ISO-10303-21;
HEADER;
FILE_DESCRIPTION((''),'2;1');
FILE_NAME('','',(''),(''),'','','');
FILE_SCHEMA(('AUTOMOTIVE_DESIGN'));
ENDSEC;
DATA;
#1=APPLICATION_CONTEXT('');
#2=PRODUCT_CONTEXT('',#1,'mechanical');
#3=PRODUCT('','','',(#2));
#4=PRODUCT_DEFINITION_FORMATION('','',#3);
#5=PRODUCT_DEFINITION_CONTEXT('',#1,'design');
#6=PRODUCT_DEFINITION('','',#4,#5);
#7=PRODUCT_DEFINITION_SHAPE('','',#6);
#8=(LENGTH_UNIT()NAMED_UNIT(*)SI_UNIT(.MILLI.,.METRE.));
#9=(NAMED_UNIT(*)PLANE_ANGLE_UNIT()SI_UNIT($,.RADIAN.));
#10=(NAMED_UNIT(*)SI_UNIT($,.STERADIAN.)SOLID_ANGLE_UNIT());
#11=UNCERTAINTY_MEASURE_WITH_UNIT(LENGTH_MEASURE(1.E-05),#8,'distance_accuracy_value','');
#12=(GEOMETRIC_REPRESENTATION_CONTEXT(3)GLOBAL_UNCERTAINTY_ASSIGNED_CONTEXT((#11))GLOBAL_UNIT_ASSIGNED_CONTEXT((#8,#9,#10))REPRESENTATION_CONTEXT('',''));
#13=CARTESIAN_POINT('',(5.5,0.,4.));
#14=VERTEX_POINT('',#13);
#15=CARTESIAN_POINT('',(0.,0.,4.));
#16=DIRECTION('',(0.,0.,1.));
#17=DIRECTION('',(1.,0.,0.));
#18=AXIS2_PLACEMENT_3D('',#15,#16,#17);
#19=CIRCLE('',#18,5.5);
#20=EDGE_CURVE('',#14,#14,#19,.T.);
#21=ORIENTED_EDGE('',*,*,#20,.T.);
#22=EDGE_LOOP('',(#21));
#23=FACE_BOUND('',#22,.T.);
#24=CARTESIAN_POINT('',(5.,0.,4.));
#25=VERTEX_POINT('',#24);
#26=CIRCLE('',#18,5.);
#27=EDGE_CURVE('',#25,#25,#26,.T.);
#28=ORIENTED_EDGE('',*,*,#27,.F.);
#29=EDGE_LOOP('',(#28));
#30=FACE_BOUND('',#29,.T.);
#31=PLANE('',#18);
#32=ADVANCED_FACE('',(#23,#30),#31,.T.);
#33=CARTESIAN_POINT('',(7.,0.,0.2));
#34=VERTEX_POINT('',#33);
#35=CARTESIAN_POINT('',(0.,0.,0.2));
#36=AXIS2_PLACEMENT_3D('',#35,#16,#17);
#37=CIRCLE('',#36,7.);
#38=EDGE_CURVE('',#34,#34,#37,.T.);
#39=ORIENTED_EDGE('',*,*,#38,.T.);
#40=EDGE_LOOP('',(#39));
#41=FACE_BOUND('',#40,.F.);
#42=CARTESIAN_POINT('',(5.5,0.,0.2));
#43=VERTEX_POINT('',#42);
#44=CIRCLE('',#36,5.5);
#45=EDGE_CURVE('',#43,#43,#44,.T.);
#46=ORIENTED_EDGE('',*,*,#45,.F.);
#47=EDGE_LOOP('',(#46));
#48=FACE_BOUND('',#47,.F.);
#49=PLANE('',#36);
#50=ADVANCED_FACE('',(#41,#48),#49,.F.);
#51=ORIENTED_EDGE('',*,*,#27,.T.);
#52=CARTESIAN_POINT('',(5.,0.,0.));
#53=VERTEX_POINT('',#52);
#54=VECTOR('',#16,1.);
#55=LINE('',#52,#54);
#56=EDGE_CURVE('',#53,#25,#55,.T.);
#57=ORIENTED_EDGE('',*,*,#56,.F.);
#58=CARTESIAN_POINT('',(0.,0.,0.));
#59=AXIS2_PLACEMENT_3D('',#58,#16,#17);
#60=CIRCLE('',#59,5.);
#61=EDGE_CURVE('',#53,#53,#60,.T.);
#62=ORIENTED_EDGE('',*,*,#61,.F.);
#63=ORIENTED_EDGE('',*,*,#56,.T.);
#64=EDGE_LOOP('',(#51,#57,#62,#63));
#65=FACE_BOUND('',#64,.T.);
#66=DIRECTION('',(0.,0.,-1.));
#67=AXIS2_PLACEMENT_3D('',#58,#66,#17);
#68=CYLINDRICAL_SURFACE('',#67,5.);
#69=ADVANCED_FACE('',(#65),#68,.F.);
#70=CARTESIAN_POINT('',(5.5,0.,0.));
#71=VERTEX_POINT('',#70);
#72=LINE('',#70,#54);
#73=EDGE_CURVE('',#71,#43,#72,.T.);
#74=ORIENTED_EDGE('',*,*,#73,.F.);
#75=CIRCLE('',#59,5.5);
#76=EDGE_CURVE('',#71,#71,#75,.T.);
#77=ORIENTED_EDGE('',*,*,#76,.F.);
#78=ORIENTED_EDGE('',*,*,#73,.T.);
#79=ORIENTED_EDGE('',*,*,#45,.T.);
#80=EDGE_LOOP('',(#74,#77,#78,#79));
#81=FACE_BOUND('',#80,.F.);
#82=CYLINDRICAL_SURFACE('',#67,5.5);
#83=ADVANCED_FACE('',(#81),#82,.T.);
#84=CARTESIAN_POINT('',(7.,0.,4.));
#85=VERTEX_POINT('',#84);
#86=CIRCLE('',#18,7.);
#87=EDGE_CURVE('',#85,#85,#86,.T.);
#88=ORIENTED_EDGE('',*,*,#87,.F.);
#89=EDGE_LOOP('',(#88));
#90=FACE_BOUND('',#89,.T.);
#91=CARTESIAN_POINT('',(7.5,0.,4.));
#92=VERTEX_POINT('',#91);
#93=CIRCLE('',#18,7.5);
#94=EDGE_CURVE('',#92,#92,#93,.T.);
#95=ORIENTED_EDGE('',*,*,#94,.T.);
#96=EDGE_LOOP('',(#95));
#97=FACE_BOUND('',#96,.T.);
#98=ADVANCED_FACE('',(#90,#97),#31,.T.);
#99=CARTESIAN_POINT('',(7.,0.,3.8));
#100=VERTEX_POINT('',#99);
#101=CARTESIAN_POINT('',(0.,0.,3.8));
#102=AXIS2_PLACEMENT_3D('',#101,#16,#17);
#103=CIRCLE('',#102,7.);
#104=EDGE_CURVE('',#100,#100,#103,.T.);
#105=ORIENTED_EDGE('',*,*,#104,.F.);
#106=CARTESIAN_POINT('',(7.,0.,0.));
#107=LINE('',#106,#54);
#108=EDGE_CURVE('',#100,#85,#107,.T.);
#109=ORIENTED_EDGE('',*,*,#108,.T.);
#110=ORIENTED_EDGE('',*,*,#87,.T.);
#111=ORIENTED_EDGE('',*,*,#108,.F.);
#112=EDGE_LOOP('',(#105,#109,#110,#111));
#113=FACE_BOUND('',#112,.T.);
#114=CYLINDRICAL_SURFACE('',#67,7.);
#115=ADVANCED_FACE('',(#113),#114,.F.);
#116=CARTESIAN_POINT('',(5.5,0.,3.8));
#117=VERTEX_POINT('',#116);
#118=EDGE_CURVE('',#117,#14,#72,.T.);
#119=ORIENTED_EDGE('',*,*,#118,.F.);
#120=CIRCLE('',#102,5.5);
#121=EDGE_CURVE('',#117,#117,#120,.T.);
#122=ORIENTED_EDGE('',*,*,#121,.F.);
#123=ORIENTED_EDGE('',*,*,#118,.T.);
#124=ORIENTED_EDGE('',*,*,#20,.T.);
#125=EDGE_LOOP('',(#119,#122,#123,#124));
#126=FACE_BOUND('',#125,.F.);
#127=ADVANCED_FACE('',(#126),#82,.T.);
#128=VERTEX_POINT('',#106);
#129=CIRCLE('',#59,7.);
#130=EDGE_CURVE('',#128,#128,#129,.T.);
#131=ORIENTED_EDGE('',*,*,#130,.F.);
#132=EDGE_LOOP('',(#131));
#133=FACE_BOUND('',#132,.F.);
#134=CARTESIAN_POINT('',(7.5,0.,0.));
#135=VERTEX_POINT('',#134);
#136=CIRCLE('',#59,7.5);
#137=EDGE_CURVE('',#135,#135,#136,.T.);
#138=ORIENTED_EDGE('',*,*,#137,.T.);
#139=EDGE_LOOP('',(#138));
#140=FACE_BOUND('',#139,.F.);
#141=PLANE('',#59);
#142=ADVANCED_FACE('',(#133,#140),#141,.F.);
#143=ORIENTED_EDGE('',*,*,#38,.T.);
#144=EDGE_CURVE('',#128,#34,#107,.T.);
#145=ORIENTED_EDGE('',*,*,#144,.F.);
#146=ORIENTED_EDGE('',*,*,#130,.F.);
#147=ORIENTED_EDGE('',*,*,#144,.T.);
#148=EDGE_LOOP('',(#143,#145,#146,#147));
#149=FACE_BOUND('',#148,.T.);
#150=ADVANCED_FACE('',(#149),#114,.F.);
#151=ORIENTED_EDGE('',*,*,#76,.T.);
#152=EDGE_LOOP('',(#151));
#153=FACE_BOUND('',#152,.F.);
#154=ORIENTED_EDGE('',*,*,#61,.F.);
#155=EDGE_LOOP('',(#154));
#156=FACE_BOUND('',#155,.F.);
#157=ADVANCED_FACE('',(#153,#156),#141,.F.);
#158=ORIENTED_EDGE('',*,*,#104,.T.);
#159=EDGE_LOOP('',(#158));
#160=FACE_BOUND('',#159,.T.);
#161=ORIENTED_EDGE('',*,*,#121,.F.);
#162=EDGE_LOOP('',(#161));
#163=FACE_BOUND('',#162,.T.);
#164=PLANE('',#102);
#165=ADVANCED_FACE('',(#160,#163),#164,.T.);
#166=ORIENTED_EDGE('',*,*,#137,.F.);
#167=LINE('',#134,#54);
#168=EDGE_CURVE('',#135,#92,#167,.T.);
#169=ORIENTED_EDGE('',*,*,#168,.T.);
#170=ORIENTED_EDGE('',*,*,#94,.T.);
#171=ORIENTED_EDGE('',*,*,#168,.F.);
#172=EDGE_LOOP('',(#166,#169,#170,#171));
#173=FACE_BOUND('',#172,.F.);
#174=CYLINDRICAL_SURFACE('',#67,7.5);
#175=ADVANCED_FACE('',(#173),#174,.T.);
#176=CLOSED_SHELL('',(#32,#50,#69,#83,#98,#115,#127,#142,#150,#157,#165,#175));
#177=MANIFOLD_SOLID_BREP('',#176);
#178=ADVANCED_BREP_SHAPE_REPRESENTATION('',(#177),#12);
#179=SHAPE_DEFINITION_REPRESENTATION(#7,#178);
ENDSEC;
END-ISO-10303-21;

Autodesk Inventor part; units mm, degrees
ref_plane "YZ Plane" through (0, 0, 0) normal (1, 0, 0) x (0, 1, 0)
ref_plane "XZ Plane" through (0, 0, 0) normal (0, 1, 0) x (-1, 0, 0)
sketch "Sketch1" plane through (0, 0, 0) normal (0, 0, 1) x (1, 0, 0)
  circle A0 centre (0, 0) radius 7.5
  circle A1 centre (0, 0) radius 5
  circle A2 centre (0, 0) radius 5.5
  circle A3 centre (0, 0) radius 7
  dimension "d0" = 15
  dimension "d1" = 10
  dimension "d2" = 0.5
  dimension "d3" = 0.5
extrude "Extrusion1" add sketch "Sketch1" along normal blind 4
ref_plane "Work Plane1" through (0, 0, 0.2) normal (0, 0, 1) x (1, 0, 0)
sketch "Sketch2" plane through (0, 0, 0.2) normal (0, 0, 1) x (1, 0, 0)
  circle A0 centre (0, 0) radius 7 projected
  circle A1 centre (0, 0) radius 7.5 projected
  circle A2 centre (0, 0) radius 5 projected
  circle A3 centre (0, 0) radius 5.5 projected
extrude "Extrusion2" add sketch "Sketch2" along normal blind 3.6 contours A0
properties part number "15x10x4 bearing"
